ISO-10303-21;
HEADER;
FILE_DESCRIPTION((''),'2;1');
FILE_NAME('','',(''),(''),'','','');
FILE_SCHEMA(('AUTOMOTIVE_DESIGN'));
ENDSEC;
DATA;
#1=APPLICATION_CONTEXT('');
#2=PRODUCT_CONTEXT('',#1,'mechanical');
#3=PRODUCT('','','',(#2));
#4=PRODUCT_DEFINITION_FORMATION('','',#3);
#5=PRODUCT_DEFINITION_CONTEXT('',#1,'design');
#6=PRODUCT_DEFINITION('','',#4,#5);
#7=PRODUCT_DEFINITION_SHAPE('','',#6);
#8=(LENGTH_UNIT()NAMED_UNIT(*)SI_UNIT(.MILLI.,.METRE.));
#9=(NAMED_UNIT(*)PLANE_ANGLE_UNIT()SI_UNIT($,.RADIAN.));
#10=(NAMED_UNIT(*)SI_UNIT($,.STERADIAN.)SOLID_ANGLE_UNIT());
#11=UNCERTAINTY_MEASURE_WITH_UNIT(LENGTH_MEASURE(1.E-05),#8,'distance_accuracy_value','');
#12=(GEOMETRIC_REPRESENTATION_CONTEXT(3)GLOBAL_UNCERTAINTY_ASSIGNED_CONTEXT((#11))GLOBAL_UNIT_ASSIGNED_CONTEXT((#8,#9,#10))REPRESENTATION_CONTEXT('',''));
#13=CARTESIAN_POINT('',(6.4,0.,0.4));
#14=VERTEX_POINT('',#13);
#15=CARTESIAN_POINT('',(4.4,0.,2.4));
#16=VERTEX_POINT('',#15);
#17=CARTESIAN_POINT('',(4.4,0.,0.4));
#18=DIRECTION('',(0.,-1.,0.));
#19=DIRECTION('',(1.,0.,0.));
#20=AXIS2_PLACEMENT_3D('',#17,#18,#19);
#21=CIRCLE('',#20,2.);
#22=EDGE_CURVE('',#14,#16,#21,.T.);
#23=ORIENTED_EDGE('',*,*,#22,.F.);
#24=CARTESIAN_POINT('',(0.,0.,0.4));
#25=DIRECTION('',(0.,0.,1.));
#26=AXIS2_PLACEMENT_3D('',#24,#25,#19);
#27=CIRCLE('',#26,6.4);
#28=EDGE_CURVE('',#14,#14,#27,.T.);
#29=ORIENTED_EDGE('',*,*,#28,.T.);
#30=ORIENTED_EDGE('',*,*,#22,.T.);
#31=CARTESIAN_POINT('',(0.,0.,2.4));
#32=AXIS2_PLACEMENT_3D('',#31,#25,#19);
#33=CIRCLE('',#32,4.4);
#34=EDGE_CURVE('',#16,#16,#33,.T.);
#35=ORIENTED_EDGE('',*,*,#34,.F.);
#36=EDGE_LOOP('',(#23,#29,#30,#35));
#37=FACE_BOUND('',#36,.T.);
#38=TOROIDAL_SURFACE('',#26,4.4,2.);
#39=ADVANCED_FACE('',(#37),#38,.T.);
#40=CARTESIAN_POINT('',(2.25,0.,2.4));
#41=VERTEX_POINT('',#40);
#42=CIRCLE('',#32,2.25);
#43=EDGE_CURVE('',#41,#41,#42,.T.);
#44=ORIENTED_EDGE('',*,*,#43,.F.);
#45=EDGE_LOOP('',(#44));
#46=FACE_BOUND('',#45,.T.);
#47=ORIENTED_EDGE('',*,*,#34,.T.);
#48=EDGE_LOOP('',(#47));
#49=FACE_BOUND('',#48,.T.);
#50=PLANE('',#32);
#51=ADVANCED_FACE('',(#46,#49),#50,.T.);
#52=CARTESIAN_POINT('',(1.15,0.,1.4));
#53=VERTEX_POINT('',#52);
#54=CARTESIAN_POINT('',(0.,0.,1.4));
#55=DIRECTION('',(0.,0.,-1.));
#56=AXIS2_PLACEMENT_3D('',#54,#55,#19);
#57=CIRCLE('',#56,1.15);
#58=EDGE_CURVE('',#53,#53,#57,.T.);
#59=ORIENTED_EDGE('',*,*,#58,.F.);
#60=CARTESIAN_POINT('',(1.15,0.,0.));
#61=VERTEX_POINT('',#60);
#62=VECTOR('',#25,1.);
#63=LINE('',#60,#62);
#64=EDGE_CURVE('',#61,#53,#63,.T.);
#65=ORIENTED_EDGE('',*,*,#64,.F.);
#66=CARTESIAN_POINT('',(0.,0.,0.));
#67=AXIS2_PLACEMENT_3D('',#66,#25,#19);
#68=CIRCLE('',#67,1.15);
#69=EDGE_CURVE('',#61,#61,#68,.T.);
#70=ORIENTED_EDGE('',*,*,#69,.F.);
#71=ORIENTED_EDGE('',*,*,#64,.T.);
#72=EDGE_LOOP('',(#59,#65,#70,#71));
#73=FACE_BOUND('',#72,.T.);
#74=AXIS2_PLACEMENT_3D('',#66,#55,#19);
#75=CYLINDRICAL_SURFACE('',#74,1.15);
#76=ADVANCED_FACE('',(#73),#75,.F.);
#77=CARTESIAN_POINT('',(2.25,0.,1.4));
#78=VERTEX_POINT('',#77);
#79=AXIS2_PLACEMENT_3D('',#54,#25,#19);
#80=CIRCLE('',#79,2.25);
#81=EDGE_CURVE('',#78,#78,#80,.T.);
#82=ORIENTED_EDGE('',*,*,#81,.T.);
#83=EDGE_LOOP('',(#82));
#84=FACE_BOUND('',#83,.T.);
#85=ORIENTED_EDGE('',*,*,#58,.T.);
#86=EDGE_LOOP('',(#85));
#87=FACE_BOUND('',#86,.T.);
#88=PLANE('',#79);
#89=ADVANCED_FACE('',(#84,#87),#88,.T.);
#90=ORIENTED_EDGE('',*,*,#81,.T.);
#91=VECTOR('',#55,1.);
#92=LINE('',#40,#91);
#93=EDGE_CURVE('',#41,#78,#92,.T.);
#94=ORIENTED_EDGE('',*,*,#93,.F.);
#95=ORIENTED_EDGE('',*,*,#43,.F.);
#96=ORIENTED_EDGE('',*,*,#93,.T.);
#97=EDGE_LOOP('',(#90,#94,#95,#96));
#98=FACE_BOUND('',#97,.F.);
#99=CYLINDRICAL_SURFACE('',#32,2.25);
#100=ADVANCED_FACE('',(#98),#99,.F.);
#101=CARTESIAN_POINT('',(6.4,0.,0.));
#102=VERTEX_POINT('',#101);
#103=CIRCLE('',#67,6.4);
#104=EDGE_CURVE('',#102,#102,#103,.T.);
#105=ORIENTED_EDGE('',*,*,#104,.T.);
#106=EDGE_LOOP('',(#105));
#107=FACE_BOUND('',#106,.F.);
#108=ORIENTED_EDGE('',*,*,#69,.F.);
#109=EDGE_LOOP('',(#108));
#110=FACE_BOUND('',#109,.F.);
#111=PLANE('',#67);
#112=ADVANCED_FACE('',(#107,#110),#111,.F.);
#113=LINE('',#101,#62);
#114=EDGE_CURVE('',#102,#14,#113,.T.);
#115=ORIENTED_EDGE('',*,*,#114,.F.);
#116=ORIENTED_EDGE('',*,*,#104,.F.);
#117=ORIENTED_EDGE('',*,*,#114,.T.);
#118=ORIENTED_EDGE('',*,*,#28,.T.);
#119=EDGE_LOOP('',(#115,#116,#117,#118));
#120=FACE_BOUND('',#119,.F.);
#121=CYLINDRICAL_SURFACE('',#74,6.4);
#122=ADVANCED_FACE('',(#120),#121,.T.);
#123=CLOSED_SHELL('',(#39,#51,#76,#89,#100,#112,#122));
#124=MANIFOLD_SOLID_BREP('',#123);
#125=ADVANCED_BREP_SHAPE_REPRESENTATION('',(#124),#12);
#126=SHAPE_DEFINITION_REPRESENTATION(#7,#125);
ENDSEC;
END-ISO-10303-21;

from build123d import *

# Parameters (mm, degrees)
F0_R     = 6.4
F0_R_2   = 1.15
F1_DEPTH = 2.4
F2_R     = 2.25
F3_DEPTH = 1
F4_R     = 2


with BuildPart() as f1:
    # F0 (on Top) → F1 (new body)
    with BuildSketch(Plane.XY):
        Circle(F0_R)
        Circle(F0_R_2, mode=Mode.SUBTRACT)
    extrude(amount=F1_DEPTH)

    # F2 (on face) → F3 (cut)
    with BuildSketch(Plane.XY.offset(2.4)):
        Circle(F2_R)
    extrude(amount=-F3_DEPTH, mode=Mode.SUBTRACT)

    # F4
    f4_edges = [f1.edges().sort_by_distance(p)[0] for p in [
        (-6.4, 0, 2.4),
    ]]
    fillet(f4_edges, radius=F4_R)


solid = f1.part
